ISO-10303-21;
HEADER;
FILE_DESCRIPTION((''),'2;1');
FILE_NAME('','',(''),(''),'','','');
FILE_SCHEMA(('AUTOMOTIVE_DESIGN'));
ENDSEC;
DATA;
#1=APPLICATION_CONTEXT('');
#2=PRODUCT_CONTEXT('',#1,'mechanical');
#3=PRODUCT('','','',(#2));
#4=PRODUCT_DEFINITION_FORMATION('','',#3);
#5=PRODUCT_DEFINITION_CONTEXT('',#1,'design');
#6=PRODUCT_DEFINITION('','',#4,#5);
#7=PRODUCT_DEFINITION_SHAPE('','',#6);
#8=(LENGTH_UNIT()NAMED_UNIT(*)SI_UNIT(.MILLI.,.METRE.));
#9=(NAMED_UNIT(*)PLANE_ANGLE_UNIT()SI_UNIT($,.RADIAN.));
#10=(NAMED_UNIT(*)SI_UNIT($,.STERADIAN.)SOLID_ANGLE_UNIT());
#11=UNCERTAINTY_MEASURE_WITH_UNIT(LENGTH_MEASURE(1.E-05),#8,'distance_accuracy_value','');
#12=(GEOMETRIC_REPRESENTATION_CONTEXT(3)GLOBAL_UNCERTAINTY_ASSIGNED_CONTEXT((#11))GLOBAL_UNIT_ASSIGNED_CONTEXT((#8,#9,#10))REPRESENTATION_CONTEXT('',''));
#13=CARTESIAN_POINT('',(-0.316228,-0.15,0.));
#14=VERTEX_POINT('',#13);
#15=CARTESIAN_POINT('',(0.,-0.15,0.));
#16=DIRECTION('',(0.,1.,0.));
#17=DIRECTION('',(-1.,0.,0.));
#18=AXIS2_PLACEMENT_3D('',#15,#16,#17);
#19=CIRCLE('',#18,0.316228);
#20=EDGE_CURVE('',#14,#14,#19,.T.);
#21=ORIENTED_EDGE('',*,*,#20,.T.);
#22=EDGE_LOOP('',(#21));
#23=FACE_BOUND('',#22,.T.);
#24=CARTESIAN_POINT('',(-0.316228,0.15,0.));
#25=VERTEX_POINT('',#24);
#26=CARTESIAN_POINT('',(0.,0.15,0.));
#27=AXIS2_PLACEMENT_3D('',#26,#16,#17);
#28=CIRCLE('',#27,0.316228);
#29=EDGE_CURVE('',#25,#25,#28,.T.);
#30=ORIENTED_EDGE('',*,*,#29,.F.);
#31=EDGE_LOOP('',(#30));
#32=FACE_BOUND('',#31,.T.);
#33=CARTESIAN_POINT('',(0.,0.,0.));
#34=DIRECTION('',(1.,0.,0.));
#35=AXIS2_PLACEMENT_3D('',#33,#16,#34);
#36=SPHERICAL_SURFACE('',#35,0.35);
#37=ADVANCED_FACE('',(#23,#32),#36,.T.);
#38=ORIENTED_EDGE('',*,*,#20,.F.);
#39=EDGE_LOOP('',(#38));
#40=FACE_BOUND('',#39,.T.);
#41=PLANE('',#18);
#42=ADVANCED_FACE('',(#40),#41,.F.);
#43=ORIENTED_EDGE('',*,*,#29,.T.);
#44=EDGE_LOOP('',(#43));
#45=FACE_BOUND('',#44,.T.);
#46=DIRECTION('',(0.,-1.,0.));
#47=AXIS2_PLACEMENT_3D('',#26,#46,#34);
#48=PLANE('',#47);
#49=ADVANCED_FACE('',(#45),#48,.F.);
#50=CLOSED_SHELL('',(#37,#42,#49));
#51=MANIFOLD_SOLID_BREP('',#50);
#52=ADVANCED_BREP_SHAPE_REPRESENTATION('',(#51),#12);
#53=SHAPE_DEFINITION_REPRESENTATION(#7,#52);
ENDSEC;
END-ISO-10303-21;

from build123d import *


with BuildPart() as part:
    # Sketch1 → Revolve1 (revolve)
    with BuildSketch(Plane.XY):
        with BuildLine():
            Line((0, 0.15), (0, -0.15))
            Line((0, -0.15), (0.316227766, -0.15))
            ThreePointArc((0.316227766, -0.15), (0.35, 0), (0.316227766, 0.15))
            Line((0.316227766, 0.15), (0, 0.15))
        make_face()
    revolve(axis=Axis((0, 0.15, 0), (0, -1, 0)))


solid = part.part
